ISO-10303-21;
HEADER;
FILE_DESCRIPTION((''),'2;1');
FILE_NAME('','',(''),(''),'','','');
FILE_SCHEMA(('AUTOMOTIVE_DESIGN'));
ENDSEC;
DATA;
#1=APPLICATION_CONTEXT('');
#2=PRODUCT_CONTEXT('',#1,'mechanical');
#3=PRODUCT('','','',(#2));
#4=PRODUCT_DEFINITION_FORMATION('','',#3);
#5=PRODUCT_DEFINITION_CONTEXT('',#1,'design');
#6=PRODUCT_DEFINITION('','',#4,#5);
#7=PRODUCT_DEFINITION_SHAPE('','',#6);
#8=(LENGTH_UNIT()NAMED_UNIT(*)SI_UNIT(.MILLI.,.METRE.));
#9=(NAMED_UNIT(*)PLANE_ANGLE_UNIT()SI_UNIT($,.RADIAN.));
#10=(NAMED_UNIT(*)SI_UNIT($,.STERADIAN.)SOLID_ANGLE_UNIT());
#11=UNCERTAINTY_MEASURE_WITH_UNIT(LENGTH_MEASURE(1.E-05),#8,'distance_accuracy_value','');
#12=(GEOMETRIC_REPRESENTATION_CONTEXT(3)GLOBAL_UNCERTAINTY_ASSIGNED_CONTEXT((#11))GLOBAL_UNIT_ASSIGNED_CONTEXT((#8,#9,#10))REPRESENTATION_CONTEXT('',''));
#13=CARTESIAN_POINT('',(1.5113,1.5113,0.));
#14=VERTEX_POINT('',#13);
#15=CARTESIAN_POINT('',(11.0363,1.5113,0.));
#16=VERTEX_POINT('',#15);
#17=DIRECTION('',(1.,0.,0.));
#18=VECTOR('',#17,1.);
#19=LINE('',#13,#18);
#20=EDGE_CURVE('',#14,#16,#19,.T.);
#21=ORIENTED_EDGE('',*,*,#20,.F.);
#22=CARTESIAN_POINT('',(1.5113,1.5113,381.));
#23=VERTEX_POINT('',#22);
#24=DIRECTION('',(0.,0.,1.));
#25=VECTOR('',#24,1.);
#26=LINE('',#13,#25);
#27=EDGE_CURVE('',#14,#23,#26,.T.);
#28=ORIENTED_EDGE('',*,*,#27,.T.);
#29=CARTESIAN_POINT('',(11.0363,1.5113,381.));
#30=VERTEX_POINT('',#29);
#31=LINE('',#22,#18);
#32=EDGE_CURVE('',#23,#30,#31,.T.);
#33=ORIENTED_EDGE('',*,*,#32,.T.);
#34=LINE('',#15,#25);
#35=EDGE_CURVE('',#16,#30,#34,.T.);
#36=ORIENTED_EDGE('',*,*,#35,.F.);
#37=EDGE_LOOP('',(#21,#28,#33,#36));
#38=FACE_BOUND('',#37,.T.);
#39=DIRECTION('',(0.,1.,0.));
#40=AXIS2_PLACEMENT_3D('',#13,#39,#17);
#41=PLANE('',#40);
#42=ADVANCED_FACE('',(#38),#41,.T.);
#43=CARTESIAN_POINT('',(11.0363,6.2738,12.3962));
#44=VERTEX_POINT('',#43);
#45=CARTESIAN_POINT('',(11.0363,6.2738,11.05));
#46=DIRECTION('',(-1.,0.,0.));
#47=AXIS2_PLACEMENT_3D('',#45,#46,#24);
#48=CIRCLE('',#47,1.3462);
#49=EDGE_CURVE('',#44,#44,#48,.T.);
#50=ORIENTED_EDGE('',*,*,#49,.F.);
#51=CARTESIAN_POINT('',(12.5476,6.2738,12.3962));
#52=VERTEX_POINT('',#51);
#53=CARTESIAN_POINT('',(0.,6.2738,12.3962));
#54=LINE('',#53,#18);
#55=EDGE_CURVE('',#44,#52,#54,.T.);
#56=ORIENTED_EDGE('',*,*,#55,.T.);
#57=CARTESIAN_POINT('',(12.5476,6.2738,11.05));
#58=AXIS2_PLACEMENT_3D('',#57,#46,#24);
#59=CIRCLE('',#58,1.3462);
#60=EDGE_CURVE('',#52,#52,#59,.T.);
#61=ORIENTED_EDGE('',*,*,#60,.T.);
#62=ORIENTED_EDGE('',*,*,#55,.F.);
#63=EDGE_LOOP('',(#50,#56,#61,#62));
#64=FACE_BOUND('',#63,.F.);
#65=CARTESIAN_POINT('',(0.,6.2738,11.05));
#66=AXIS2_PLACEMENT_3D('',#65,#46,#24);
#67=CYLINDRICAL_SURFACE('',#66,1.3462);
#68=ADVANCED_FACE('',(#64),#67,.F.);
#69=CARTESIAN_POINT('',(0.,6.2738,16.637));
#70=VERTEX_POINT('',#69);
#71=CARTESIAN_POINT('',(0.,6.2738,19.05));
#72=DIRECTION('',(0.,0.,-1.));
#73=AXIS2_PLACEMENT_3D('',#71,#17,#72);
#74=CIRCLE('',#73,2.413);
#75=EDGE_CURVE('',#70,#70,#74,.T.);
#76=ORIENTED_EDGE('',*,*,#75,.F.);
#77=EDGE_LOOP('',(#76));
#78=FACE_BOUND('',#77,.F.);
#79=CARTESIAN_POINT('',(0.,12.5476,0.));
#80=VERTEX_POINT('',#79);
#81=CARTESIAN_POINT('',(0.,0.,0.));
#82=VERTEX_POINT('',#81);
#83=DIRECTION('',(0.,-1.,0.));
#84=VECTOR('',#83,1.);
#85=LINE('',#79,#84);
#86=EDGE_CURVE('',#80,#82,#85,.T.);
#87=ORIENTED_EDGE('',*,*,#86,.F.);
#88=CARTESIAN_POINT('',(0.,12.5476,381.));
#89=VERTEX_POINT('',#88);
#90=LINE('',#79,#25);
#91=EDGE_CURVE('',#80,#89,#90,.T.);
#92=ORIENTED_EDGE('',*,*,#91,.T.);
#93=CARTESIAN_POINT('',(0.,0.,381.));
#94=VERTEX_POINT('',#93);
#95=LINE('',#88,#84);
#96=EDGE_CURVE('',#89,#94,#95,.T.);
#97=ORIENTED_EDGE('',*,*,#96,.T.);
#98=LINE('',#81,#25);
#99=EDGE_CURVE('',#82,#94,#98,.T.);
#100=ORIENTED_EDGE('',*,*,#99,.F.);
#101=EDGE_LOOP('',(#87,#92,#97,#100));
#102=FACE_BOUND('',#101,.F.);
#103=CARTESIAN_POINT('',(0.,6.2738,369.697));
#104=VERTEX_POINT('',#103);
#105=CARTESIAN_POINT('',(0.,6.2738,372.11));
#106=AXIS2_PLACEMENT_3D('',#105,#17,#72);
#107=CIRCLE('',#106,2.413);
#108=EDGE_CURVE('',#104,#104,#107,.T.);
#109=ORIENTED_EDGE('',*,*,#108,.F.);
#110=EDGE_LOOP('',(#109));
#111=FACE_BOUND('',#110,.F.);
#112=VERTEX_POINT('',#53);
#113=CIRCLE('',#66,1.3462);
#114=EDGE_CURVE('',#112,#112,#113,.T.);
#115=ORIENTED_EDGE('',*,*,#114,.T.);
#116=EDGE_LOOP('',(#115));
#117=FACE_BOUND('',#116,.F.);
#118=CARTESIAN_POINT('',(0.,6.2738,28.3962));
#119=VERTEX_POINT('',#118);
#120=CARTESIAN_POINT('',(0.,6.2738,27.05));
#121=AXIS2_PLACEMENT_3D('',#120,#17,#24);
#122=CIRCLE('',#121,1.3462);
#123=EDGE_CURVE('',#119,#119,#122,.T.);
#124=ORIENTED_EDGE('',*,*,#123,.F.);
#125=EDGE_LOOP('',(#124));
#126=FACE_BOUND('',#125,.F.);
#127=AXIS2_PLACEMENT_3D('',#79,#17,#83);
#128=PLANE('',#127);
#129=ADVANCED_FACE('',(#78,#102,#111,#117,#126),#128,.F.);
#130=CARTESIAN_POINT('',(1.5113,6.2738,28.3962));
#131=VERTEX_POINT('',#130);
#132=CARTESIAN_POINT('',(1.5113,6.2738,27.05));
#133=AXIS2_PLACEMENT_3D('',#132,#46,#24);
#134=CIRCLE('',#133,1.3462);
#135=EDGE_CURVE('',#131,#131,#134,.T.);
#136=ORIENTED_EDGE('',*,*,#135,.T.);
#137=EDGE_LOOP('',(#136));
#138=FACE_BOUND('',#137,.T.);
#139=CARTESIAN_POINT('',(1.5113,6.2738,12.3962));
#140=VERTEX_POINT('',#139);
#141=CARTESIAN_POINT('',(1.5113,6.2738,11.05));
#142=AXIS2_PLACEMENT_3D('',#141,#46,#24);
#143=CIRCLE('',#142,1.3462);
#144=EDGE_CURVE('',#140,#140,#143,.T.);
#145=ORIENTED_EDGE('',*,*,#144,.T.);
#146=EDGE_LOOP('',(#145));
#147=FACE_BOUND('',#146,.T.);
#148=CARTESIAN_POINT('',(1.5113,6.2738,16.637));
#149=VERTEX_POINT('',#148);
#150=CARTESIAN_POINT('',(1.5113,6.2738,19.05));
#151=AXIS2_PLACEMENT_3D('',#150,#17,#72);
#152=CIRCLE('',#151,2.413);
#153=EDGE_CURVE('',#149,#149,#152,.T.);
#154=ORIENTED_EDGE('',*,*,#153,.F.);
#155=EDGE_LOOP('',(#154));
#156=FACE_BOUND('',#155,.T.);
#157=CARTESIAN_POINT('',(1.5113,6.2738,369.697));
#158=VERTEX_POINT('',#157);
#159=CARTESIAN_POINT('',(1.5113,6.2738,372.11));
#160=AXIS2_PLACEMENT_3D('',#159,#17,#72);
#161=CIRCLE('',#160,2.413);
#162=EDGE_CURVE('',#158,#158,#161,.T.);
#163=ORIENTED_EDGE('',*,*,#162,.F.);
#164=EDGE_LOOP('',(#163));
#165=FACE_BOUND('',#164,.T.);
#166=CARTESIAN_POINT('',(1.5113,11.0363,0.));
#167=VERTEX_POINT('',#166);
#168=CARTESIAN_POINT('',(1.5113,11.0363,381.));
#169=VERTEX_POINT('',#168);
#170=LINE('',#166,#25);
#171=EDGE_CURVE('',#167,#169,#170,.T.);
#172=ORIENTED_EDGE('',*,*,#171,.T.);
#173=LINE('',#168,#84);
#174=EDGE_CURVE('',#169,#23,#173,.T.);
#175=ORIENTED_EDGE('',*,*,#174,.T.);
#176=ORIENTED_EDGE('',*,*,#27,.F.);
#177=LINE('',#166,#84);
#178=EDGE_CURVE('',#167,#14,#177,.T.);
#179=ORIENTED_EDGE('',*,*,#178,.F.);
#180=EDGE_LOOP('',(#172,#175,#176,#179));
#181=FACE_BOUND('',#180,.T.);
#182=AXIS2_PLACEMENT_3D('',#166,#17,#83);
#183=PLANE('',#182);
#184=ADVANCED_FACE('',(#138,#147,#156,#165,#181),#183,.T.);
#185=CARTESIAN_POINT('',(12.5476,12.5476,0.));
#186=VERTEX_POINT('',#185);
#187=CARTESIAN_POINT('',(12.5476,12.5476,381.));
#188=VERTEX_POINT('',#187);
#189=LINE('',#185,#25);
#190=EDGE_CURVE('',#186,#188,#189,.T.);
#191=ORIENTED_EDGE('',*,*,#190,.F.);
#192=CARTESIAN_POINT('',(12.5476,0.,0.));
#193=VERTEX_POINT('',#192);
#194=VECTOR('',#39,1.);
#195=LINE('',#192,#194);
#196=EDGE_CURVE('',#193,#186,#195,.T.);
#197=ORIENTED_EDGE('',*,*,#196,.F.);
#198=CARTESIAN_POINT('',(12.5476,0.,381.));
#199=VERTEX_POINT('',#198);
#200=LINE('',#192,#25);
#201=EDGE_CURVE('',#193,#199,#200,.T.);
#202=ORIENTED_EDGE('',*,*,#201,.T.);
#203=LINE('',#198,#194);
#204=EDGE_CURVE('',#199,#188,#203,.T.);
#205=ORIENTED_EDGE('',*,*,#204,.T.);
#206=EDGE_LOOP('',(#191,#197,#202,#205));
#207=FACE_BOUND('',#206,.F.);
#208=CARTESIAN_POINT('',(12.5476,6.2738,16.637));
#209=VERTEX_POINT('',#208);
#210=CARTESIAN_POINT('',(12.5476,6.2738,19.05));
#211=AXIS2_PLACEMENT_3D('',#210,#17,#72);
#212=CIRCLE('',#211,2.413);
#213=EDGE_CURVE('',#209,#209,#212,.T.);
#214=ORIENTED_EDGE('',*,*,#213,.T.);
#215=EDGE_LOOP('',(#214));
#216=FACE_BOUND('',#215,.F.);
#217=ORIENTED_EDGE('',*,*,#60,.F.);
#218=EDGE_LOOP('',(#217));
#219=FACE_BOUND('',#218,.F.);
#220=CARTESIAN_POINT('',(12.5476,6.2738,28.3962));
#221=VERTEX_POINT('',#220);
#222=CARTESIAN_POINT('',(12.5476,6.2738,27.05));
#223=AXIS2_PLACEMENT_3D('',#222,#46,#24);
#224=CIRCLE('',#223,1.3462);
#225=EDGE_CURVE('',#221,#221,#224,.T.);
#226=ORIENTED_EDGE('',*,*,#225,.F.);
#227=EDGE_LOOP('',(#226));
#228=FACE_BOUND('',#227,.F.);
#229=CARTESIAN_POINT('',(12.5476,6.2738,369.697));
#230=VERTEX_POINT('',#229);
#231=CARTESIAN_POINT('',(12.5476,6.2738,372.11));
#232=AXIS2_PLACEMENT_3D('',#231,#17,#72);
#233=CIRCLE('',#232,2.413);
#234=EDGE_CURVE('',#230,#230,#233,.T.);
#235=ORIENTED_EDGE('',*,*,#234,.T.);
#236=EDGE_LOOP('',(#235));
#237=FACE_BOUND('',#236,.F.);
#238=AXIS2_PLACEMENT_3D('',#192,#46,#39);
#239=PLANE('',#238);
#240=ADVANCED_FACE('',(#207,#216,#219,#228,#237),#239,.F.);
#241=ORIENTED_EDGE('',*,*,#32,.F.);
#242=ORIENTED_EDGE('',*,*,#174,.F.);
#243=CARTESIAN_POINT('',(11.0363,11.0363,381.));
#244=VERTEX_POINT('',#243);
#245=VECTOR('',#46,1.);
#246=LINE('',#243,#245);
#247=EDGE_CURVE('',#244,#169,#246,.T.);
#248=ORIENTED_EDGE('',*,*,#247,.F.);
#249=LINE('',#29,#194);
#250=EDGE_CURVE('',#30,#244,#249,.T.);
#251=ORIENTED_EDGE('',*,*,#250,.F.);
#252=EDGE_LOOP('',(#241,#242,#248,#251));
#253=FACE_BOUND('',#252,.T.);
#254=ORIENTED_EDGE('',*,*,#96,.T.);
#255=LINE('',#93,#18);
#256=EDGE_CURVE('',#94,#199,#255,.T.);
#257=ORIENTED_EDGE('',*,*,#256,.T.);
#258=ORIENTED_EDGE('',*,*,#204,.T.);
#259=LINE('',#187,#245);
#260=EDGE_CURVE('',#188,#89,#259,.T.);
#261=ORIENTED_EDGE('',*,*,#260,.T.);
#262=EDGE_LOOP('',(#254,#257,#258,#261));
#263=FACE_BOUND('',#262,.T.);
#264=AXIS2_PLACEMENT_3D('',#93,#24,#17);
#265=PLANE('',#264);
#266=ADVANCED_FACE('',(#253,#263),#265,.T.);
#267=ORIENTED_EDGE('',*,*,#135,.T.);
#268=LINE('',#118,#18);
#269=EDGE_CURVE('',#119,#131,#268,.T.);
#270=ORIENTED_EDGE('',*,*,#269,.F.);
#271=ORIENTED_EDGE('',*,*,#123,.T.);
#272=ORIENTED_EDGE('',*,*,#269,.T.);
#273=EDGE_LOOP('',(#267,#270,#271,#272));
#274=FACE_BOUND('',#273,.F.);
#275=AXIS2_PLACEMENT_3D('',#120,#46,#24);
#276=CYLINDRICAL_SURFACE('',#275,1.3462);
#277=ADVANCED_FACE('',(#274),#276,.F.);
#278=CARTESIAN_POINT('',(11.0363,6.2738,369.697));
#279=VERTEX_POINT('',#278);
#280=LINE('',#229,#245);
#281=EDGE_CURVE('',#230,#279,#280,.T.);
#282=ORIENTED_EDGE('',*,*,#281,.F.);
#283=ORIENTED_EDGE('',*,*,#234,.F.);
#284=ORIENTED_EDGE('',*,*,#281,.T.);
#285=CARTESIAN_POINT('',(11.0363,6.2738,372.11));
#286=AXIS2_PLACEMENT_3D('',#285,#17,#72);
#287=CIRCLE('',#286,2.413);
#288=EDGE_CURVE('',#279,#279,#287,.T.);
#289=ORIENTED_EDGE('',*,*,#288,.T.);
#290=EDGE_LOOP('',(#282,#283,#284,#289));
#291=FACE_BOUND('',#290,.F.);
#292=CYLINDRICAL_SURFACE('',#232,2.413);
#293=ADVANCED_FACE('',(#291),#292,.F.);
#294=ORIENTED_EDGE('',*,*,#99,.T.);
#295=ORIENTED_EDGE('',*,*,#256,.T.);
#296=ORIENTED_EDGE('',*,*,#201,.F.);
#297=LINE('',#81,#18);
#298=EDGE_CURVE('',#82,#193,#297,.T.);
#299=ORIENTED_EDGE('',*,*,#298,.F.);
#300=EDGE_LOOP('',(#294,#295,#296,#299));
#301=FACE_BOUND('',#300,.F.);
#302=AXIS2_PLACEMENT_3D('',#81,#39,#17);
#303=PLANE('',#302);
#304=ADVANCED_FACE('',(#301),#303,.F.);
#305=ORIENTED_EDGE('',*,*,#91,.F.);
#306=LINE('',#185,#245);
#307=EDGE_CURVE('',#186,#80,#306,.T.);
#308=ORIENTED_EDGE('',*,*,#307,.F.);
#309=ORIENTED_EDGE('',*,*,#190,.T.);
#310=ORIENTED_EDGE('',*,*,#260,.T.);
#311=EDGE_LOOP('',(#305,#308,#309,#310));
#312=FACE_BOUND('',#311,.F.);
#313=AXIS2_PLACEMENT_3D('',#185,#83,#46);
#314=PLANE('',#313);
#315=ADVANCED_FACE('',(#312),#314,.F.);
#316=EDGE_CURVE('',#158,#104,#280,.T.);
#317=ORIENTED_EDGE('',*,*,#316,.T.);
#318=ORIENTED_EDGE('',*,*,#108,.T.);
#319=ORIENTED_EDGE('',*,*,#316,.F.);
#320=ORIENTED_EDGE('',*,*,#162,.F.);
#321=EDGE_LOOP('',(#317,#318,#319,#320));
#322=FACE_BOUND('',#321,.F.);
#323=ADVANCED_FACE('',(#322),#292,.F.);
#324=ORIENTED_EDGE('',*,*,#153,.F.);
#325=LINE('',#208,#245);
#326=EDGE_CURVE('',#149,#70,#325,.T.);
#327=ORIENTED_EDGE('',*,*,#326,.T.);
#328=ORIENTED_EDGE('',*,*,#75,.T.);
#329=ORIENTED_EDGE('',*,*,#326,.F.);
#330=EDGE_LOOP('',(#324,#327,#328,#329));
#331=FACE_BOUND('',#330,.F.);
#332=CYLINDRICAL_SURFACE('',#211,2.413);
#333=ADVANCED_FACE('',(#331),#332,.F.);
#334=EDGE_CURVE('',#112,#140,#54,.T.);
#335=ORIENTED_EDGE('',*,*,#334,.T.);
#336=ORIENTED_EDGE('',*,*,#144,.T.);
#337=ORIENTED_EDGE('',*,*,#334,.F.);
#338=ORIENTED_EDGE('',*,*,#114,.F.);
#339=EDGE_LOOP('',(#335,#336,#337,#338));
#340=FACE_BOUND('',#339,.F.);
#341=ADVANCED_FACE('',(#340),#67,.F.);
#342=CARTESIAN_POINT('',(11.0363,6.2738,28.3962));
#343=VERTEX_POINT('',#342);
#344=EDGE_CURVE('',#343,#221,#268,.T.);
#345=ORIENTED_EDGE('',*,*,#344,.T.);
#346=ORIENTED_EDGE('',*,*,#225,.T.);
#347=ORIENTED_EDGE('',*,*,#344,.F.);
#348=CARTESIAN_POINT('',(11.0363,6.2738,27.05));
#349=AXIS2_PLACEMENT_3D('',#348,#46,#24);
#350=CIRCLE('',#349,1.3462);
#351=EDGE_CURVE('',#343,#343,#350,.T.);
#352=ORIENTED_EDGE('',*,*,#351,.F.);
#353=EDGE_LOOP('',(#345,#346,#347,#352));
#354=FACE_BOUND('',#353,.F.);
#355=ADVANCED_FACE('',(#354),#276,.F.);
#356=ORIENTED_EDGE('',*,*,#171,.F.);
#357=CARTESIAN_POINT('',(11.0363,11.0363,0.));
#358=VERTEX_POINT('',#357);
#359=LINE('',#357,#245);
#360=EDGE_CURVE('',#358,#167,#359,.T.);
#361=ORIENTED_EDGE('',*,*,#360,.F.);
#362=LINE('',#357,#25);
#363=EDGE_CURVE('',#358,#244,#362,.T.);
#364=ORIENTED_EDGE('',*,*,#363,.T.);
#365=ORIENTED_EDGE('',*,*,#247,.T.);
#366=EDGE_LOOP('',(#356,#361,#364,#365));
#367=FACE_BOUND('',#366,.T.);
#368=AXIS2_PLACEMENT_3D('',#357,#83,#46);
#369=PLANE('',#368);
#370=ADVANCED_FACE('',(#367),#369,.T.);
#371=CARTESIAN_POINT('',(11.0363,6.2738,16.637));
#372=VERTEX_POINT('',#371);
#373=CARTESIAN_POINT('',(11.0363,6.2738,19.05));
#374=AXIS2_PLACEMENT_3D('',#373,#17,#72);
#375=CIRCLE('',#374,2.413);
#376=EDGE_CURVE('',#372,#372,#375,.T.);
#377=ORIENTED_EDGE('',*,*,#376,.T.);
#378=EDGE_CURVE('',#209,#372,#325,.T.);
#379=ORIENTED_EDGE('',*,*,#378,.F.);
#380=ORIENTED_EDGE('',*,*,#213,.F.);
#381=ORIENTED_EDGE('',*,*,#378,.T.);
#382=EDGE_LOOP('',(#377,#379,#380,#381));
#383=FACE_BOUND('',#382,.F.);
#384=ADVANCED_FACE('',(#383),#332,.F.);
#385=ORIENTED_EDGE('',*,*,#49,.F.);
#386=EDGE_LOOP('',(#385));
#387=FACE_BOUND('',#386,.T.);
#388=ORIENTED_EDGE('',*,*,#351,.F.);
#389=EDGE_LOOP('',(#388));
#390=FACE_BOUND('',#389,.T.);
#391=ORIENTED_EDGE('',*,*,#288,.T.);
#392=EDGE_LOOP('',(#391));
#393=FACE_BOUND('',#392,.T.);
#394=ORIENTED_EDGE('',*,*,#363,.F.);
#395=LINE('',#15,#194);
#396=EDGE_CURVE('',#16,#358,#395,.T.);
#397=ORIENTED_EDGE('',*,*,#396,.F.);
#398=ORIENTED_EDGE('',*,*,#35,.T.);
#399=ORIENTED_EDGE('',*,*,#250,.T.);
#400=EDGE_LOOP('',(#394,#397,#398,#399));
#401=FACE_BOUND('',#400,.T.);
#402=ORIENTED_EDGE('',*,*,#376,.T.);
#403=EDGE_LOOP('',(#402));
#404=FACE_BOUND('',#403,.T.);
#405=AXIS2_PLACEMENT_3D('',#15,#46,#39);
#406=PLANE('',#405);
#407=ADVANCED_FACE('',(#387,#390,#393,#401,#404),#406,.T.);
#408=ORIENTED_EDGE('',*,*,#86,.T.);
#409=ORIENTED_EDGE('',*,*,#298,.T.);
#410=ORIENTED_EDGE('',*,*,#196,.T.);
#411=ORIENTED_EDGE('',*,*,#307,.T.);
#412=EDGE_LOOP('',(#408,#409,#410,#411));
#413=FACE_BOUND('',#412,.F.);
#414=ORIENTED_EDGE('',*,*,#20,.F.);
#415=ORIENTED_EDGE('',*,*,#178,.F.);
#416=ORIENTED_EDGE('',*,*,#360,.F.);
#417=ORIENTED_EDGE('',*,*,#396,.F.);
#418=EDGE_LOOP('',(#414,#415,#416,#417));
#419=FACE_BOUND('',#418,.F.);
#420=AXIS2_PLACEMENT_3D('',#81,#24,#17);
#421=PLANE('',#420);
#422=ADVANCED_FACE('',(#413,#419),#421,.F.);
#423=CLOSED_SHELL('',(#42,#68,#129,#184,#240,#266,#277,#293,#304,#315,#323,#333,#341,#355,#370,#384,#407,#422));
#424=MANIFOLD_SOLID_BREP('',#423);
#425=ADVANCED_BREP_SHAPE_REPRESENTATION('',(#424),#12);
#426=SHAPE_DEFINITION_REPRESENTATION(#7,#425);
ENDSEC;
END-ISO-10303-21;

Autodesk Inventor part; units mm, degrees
ref_plane "YZ Plane" through (0, 0, 0) normal (1, 0, 0) x (0, 1, 0)
ref_plane "XZ Plane" through (0, 0, 0) normal (0, 1, 0) x (-1, 0, 0)
ref_plane "XY Plane" through (0, 0, 0) normal (0, 0, 1) x (1, 0, 0)
sketch "Sketch1" plane through (0, 0, 0) normal (0, 0, 1) x (1, 0, 0)
  line L0 (0, 0) -> (12.5476, 0)
  line L1 (12.5476, 0) -> (12.5476, 12.5476)
  line L2 (12.5476, 12.5476) -> (0, 12.5476)
  line L3 (0, 12.5476) -> (0, 0)
  line L4 (1.5113, 1.5113) -> (11.0363, 1.5113)
  line L5 (11.0363, 1.5113) -> (11.0363, 11.0363)
  line L6 (11.0363, 11.0363) -> (1.5113, 11.0363)
  line L7 (1.5113, 11.0363) -> (1.5113, 1.5113)
  line L8 (1.5113, 1.5113) -> (11.0363, 11.0363) construction
  line L9 (11.0363, 1.5113) -> (1.5113, 11.0363) construction
  point P0 (6.2738, 6.2738)
  dimension "d0" = 12.5476
  dimension "d1" = 12.5476
  dimension "d2" = 9.525
  dimension "d3" = 9.525
extrude "Extrusion1" add sketch "Sketch1" along normal blind 381
sketch "Sketch2" plane through (12.5476, 0, 0) normal (1, 0, 0) x (0, 0, -1)
  circle A0 centre (-19.05, 6.2738) radius 2.413
  line L0 (0, 0) -> (0, 12.5476) projected
  dimension "d6" = 4.826
  dimension "d13" = 19.05
extrude "Extrusion2" cut sketch "Sketch2" against normal blind 419.1
sketch "Sketch3" plane through (12.5476, 0, 0) normal (1, 0, 0) x (0, 0, -1)
  circle A0 centre (-372.11, 6.2738) radius 2.413
  line L0 (-381, 0) -> (-381, 12.5476) projected
  dimension "d9" = 4.826
  dimension "d12" = 8.89
extrude "Extrusion3" cut sketch "Sketch3" against normal blind 25.4
sketch "Sketch5" plane through (0, 0, 0) normal (-1, 0, 0) x (0, 0, 1)
  circle A0 centre (19.05, 6.2738) radius 2.413 projected
  circle A1 centre (11.05, 6.2738) radius 1.3462
  circle A2 centre (27.05, 6.2738) radius 1.3462
  line L0 (0, 12.5476) -> (381, 12.5476) projected
  line L1 (11.05, 6.2738) -> (27.05, 6.2738)
  line L2 (0, 12.5476) -> (0, 0) projected
  dimension "d14" = 2.6924
  dimension "d15" = 2.6924
  dimension "d16" = 16
  dimension "d19" = 11.05
  dimension "d20" = 19.05
  dimension "d21" = 27.05
extrude "Extrusion4" cut sketch "Sketch5" against normal blind 12.7 contours A1 | A2
properties part number "custom Box Aluminum" material "Aluminum 6061"
